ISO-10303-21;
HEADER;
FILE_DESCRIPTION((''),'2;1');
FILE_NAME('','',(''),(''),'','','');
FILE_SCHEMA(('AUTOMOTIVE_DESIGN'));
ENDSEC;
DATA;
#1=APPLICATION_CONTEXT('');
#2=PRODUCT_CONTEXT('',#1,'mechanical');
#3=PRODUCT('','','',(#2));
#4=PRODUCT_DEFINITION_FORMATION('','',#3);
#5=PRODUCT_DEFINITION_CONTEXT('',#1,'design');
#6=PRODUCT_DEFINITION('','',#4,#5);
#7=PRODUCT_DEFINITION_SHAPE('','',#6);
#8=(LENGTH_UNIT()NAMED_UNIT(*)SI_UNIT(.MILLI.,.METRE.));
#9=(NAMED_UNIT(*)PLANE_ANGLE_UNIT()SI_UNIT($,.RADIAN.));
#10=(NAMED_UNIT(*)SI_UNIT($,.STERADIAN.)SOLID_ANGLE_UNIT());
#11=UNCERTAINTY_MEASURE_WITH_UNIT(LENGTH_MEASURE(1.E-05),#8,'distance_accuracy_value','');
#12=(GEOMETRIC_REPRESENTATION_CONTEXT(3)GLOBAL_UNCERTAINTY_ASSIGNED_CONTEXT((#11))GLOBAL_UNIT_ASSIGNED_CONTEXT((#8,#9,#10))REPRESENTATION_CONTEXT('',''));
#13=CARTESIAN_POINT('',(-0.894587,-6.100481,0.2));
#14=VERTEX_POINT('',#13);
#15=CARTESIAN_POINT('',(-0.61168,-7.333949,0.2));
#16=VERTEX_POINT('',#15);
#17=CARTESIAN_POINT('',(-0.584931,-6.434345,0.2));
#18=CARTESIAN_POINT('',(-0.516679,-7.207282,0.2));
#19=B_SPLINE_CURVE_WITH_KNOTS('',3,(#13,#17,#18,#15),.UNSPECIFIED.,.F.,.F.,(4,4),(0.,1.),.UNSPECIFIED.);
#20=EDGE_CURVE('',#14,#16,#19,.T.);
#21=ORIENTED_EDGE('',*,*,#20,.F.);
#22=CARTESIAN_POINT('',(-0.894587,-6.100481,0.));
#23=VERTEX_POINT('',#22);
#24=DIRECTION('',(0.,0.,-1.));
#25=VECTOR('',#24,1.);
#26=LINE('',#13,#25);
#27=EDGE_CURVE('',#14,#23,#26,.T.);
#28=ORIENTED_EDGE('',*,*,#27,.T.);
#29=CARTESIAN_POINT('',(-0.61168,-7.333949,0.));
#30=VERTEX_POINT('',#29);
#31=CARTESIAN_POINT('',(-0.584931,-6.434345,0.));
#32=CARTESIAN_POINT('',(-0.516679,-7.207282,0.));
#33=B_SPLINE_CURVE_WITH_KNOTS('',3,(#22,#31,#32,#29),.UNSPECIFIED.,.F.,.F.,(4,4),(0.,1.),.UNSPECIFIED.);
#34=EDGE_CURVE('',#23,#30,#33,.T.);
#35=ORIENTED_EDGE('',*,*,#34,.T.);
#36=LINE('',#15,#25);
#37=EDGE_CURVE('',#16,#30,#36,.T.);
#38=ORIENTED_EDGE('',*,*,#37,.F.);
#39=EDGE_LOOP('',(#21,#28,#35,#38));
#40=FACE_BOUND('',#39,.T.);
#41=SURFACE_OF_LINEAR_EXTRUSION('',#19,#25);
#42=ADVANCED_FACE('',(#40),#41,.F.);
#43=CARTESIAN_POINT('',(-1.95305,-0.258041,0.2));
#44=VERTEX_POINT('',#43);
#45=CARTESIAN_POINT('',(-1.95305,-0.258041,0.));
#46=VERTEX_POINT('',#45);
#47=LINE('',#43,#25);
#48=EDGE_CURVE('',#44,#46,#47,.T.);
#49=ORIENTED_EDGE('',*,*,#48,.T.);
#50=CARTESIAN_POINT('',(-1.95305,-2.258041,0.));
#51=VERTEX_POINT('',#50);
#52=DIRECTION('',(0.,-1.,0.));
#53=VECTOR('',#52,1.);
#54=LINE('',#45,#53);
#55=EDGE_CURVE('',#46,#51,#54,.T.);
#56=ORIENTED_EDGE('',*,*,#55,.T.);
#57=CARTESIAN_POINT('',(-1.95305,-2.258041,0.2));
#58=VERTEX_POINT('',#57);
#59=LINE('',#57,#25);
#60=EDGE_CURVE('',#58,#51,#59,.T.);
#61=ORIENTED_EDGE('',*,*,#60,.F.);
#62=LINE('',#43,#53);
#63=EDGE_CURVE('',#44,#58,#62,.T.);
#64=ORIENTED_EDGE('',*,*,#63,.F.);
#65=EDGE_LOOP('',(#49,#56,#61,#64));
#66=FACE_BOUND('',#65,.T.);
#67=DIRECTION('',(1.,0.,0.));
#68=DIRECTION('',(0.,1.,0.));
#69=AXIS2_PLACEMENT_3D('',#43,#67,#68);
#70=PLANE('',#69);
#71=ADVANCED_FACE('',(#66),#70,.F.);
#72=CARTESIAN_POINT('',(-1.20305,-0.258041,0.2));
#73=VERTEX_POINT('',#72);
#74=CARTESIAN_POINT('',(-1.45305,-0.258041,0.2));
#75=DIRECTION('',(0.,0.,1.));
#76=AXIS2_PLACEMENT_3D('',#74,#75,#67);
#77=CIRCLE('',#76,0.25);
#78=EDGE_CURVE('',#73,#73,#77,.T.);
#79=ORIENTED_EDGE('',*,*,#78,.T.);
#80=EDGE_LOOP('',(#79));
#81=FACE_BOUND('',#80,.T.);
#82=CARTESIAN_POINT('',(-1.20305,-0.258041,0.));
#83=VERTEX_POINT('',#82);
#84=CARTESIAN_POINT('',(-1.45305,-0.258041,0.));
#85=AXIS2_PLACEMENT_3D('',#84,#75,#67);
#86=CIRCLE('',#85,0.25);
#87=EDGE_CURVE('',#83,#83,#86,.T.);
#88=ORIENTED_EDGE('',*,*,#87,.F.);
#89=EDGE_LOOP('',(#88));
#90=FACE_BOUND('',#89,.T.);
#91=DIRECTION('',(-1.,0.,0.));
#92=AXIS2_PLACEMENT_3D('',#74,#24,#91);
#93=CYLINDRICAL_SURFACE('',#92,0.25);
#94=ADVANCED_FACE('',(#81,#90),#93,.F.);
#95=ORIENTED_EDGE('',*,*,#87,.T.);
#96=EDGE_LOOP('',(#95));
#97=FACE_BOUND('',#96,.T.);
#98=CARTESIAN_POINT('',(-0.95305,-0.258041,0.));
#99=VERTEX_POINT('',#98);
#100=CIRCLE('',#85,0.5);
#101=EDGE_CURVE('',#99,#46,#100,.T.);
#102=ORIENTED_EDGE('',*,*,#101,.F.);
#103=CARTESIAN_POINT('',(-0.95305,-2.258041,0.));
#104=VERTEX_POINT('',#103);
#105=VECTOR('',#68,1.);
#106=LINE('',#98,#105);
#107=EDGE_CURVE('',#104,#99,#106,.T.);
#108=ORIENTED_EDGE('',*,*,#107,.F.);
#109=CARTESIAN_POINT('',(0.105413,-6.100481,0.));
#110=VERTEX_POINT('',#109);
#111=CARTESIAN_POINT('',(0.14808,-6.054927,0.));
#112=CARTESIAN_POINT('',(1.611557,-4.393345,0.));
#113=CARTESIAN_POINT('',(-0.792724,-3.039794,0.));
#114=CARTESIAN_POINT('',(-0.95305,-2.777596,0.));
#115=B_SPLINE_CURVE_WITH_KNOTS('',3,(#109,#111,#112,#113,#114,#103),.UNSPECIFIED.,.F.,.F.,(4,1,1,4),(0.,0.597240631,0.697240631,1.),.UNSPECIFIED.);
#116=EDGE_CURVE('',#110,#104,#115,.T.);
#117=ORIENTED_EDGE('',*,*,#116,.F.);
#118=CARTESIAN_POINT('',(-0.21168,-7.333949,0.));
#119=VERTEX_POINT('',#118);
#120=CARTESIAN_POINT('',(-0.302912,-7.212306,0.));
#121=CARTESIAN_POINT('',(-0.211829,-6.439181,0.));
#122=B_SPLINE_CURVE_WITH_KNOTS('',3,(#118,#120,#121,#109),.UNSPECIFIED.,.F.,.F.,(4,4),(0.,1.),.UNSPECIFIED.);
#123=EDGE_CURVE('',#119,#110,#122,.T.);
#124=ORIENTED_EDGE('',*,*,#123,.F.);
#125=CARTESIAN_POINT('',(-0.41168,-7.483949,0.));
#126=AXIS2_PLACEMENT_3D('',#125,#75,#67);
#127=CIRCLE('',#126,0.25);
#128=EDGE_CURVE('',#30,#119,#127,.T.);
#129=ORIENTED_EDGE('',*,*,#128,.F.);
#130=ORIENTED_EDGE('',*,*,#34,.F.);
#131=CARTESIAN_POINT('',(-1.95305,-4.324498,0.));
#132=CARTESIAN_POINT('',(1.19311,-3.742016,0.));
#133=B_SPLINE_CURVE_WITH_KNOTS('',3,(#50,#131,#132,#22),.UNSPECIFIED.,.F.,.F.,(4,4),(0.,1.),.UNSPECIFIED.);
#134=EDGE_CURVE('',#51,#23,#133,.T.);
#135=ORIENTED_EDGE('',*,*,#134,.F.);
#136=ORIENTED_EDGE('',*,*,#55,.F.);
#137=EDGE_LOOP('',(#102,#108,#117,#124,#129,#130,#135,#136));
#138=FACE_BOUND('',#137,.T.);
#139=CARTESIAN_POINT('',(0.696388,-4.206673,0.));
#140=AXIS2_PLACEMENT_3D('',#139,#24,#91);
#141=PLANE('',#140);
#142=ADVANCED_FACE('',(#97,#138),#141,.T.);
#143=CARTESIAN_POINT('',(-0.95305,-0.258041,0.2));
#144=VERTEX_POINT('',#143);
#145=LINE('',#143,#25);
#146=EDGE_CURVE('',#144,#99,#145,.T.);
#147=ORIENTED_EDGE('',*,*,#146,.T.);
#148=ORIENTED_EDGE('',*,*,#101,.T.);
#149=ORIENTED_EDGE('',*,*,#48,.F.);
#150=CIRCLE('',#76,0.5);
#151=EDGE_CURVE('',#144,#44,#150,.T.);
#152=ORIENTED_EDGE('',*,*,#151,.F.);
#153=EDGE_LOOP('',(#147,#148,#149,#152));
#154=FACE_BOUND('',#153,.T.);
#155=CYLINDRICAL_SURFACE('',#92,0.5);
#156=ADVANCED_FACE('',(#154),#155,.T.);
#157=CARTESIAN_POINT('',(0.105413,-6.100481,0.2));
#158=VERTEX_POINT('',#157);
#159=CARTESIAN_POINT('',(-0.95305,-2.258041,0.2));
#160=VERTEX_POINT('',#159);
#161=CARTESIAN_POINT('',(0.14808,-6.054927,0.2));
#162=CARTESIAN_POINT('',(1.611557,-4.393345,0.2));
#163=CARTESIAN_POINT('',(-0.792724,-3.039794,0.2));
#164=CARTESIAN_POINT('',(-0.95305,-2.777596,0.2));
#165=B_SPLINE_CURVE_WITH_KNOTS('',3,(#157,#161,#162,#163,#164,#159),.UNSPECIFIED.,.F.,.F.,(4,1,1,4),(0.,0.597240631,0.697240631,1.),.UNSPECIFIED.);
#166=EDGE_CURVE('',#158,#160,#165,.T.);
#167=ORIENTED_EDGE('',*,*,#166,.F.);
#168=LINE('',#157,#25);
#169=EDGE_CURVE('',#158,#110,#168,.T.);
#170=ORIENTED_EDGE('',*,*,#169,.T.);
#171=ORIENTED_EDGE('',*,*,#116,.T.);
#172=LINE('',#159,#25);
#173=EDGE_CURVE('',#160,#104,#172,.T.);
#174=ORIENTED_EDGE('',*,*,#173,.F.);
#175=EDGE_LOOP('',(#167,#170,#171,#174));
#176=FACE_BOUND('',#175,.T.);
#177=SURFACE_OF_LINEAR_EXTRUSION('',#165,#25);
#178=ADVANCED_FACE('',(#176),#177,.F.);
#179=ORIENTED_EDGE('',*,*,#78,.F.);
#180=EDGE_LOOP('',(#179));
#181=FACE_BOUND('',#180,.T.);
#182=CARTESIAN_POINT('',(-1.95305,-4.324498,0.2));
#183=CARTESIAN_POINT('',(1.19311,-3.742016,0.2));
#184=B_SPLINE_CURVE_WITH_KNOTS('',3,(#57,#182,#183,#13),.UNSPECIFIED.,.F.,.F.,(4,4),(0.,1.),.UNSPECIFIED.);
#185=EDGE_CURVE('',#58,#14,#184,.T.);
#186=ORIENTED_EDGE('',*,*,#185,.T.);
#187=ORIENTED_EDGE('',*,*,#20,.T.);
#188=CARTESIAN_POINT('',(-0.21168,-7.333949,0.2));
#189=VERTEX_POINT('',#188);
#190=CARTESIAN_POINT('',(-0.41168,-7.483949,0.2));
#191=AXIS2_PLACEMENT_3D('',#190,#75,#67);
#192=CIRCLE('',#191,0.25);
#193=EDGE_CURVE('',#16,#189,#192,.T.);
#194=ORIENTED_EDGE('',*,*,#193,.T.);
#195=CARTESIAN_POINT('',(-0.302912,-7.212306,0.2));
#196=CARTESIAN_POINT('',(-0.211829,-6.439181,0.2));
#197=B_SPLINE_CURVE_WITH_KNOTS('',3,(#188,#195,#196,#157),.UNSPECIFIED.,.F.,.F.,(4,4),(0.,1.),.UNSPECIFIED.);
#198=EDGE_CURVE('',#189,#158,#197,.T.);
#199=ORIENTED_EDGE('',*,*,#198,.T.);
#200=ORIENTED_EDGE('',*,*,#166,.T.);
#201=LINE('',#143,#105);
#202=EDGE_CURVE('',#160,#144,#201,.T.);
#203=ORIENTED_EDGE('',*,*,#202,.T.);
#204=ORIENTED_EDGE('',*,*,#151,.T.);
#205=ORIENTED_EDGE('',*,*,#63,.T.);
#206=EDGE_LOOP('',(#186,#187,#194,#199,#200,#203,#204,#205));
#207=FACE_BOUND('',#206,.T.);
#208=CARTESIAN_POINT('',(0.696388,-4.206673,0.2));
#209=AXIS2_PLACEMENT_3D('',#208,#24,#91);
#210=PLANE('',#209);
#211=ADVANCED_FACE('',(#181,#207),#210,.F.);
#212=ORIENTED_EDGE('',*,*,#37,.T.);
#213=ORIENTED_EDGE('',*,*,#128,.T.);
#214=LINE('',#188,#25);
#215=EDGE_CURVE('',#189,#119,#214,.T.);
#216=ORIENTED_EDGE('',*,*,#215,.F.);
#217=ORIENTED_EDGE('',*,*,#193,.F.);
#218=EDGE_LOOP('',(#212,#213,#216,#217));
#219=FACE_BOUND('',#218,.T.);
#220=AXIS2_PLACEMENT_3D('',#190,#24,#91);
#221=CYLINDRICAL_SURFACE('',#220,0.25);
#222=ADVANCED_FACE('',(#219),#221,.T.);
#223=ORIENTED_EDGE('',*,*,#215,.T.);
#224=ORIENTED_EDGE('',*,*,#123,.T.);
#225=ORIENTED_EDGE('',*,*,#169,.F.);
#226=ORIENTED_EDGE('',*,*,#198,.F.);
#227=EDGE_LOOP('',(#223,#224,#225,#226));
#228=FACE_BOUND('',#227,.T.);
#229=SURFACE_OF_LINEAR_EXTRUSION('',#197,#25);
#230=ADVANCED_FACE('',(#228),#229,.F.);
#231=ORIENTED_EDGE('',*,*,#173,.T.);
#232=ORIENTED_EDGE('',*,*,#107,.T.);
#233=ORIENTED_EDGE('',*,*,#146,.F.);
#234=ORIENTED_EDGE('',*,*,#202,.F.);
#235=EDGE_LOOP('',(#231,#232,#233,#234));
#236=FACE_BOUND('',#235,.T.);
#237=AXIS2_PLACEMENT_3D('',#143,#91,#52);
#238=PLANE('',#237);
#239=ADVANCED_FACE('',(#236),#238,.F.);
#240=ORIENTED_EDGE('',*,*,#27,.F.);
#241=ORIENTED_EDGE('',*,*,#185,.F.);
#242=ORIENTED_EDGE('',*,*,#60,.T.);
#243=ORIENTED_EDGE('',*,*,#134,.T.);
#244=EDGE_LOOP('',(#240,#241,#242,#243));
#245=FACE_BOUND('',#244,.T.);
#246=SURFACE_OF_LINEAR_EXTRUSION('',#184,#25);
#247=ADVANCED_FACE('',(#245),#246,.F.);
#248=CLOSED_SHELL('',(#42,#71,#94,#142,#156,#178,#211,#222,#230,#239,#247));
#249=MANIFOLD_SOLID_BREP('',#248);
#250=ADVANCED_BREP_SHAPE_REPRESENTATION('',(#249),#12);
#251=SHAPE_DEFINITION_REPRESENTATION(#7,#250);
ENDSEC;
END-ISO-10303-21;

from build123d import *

# Parameters (mm, degrees)
CROQUIS1_R              = 0.25
SALIENTE_EXTRUIR1_DEPTH = 0.2


with BuildPart() as part:
    # Croquis1 → Saliente-Extruir1 (new body)
    with BuildSketch(Plane.XY):
        with BuildLine():
            Line((-0.953049545, -0.258041218), (-0.953049545, -2.258041218))
            add(Edge.make_bspline(
                [(-0.953049545, -2.258041218), (-0.953049545, -2.777596153), (-0.792723594, -3.039794493), (1.611557074, -4.393344835), (0.148079669, -6.054927281), (0.105412555, -6.100480554)],
                knots=[0, 0, 0, 0, 0.302759369, 0.402759369, 1, 1, 1, 1], degree=3))
            add(Edge.make_bspline(
                [(-0.211679745, -7.333949248), (-0.302912235, -7.212305928), (-0.211828565, -6.439181016), (0.105412555, -6.100480554)],
                knots=[0, 0, 0, 0, 1, 1, 1, 1], degree=3))
            ThreePointArc((-0.211679745, -7.333949248), (-0.411679745, -7.733949248), (-0.611679745, -7.333949248))
            add(Edge.make_bspline(
                [(-0.611679745, -7.333949248), (-0.51667907, -7.207281682), (-0.584931115, -6.434344759), (-0.894587445, -6.100480554)],
                knots=[0, 0, 0, 0, 1, 1, 1, 1], degree=3))
            add(Edge.make_bspline(
                [(-1.953049545, -2.258041218), (-1.953049545, -4.324497965), (1.193109737, -3.742015961), (-0.894587445, -6.100480554)],
                knots=[0, 0, 0, 0, 1, 1, 1, 1], degree=3))
            Line((-1.953049545, -2.258041218), (-1.953049545, -0.258041218))
            ThreePointArc((-1.953049545, -0.258041218), (-1.453049545, 0.241958782), (-0.953049545, -0.258041218))
        make_face()
        with Locations((-1.453049545, -0.258041218)):
            Circle(CROQUIS1_R, mode=Mode.SUBTRACT)
    extrude(amount=SALIENTE_EXTRUIR1_DEPTH)


solid = part.part
